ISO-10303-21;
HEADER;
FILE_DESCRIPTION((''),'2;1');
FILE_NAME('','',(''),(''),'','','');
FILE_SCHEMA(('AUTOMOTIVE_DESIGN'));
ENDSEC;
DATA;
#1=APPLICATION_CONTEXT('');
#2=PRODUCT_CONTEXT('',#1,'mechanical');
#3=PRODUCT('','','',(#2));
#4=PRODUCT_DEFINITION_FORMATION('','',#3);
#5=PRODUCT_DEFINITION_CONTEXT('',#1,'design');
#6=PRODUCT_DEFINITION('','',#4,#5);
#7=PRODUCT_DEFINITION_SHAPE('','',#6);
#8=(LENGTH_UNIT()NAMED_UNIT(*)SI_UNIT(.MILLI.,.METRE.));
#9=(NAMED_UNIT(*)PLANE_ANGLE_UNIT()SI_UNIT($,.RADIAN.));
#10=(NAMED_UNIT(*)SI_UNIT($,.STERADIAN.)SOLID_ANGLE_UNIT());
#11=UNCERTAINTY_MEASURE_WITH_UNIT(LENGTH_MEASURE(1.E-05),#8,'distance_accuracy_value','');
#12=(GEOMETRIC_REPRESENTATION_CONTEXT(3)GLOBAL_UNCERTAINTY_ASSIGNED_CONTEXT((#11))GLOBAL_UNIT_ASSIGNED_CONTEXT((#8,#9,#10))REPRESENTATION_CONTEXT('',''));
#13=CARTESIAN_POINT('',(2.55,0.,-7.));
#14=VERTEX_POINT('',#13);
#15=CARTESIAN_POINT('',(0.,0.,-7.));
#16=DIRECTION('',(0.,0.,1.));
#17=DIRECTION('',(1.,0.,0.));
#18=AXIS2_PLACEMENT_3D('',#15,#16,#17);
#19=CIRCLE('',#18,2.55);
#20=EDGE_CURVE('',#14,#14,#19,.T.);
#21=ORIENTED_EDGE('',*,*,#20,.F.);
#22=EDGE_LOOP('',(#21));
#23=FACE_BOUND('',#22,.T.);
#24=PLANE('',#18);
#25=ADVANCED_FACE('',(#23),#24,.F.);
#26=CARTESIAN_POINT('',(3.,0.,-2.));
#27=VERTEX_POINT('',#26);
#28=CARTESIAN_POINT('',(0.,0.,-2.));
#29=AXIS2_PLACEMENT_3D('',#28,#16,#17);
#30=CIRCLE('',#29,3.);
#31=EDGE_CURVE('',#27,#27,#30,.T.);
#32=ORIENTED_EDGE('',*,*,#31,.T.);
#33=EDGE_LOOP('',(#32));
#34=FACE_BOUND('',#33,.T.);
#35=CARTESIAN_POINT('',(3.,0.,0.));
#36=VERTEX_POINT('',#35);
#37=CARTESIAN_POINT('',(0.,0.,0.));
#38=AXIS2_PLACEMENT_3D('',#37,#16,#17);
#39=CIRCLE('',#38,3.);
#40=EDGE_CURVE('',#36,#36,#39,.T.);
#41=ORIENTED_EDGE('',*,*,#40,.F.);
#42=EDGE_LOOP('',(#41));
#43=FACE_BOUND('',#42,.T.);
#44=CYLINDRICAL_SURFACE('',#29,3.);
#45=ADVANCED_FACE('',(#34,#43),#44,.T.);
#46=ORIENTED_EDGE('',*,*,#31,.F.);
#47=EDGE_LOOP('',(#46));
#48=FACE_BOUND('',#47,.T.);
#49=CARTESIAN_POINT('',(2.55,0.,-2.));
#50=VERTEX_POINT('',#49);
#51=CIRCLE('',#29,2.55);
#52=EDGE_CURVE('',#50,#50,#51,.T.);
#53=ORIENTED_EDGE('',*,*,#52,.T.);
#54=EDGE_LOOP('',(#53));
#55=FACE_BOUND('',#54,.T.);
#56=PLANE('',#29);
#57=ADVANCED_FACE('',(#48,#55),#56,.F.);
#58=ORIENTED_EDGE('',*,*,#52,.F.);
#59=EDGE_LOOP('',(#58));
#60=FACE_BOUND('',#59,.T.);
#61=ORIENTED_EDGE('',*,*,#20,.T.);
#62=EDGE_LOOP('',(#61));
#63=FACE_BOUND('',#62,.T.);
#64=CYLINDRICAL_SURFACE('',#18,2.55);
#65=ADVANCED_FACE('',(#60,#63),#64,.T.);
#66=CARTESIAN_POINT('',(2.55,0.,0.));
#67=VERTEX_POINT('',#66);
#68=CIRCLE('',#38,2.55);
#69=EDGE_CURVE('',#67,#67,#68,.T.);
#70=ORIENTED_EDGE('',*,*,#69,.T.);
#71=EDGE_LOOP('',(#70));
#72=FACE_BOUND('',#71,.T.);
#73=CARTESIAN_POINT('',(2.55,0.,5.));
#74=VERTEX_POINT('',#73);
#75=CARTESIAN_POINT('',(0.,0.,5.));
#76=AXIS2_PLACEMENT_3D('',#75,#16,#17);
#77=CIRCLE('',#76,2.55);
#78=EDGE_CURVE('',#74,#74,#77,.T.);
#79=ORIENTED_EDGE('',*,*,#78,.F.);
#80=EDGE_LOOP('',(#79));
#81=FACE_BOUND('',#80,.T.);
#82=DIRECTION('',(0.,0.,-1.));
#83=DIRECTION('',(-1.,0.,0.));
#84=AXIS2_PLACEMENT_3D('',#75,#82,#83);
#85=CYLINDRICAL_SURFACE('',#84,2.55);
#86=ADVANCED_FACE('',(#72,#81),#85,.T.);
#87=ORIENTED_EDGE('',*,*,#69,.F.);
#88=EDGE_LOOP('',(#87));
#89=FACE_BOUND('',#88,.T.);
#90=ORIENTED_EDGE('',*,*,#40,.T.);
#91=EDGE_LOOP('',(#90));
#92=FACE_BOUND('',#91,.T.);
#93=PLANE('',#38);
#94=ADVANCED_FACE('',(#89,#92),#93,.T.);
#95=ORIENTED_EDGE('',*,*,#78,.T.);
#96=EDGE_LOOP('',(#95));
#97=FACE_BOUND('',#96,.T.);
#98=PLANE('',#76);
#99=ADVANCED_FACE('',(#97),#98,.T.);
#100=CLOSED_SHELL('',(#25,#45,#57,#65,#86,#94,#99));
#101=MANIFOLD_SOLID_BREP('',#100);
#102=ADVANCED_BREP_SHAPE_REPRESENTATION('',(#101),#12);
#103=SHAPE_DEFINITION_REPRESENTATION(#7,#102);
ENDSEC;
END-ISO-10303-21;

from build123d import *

# Parameters (mm, degrees)
SKETCH1_R           = 2.55
BOSS_EXTRUDE1_DEPTH = 5
SKETCH2_R           = 3
BOSS_EXTRUDE2_DEPTH = 2
BOSS_EXTRUDE3_START = -7
SKETCH1_2_R         = 2.55
BOSS_EXTRUDE3_DEPTH = 5


with BuildPart() as part:
    # Sketch1 → Boss-Extrude1 (new body)
    with BuildSketch(Plane.XY):
        Circle(SKETCH1_R)
    extrude(amount=BOSS_EXTRUDE1_DEPTH)

    # Sketch2 → Boss-Extrude2 (add)
    with BuildSketch(Plane.XY):
        Circle(SKETCH2_R)
    extrude(amount=-BOSS_EXTRUDE2_DEPTH)

    # Sketch1<2> → Boss-Extrude3 (add)
    with BuildSketch(Plane.XY.offset(BOSS_EXTRUDE3_START)):
        Circle(SKETCH1_2_R)
    extrude(amount=BOSS_EXTRUDE3_DEPTH)


solid = part.part
